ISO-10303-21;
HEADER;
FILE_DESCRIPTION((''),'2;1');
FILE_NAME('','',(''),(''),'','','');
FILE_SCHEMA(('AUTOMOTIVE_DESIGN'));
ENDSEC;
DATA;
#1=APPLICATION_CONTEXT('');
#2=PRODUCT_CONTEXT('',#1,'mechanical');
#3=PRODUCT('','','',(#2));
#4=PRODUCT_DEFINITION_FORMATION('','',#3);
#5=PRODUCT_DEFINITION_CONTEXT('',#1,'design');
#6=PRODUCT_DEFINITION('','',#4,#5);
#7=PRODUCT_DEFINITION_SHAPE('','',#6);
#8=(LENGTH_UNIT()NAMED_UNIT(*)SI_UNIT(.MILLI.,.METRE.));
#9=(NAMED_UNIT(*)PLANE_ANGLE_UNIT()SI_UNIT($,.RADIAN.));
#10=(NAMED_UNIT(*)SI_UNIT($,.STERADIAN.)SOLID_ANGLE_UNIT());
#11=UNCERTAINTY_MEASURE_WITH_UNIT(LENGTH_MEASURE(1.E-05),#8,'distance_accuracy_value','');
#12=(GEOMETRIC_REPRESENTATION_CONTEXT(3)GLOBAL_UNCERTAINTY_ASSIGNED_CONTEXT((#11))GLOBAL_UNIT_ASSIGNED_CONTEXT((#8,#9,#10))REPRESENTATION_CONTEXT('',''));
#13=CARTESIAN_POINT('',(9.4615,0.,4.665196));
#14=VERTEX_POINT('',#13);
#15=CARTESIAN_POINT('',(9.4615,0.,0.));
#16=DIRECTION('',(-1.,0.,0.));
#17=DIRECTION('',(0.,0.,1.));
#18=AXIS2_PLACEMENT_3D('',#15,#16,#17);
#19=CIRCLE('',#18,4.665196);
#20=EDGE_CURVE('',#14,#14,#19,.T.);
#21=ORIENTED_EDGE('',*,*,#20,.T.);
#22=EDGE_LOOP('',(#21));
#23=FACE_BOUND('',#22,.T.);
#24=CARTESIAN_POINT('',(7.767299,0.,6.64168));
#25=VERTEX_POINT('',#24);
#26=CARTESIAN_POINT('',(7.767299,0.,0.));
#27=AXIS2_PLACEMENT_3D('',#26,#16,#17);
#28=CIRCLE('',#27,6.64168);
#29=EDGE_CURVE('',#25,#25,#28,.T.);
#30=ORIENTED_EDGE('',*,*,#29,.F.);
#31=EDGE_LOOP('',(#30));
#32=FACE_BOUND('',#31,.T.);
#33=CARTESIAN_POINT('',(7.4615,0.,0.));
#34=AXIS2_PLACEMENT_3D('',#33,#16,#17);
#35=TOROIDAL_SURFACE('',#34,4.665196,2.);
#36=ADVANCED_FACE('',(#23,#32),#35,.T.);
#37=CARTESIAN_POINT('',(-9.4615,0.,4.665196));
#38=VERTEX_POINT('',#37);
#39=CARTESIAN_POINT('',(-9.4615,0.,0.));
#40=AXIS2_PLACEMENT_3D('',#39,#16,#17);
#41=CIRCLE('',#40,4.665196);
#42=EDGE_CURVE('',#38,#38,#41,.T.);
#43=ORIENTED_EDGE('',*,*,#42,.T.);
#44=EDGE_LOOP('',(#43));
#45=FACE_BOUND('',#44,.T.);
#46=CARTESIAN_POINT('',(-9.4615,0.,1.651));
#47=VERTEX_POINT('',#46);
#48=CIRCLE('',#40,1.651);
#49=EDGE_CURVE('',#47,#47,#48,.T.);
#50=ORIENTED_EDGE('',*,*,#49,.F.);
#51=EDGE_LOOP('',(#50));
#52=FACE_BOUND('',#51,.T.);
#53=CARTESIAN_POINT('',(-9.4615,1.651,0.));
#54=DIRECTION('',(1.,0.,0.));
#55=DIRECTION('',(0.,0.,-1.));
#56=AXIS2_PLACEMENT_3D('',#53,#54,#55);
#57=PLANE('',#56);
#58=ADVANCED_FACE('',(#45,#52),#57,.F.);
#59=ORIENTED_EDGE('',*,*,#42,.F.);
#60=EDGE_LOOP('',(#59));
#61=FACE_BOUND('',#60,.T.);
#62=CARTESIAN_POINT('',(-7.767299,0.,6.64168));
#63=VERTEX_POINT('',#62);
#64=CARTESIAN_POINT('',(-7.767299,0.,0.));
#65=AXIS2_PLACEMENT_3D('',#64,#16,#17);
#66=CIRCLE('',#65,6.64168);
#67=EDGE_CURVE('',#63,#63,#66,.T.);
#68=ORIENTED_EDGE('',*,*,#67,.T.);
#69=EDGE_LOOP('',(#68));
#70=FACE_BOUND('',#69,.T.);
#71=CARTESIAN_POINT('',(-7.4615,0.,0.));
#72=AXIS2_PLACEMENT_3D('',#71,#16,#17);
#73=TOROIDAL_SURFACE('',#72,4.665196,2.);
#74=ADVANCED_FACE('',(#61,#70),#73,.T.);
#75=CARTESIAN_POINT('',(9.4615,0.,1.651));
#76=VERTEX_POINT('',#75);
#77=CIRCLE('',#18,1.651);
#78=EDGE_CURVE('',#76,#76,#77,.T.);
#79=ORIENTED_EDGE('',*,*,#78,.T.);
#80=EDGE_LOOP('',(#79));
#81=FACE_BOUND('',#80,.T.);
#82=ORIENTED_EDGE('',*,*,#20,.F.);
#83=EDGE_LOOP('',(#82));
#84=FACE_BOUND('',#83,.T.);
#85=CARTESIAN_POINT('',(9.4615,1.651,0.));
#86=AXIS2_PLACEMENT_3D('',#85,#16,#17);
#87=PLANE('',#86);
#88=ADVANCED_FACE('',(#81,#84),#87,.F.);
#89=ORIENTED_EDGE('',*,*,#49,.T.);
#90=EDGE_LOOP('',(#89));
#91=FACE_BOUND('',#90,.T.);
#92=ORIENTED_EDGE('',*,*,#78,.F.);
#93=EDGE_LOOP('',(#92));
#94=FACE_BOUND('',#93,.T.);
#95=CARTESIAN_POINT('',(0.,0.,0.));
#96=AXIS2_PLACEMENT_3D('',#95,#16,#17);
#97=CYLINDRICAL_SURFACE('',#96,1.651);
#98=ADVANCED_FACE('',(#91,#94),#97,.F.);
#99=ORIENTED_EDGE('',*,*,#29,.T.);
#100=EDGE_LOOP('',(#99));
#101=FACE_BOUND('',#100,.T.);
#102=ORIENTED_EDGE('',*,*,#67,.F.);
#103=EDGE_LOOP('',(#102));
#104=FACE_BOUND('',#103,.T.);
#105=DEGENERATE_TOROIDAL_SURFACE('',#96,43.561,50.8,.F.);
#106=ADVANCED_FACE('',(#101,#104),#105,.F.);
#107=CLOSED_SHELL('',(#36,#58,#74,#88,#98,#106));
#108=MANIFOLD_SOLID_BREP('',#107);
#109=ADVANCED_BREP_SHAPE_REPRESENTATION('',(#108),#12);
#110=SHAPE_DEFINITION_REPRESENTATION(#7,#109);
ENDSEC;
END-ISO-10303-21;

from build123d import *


with BuildPart() as part:
    # Sketch1 → Revolve1 (revolve)
    with BuildSketch(Plane.XY):
        with BuildLine():
            Line((-9.4615, 1.651), (9.4615, 1.651))
            Line((9.4615, 1.651), (9.4615, 4.665196385))
            ThreePointArc((9.4615, 4.665196385), (8.979985818, 5.966811082), (7.76729918, 6.641679843))
            ThreePointArc((7.76729918, 6.641679843), (0, 7.239), (-7.76729918, 6.641679843))
            ThreePointArc((-7.76729918, 6.641679843), (-8.979985818, 5.966811082), (-9.4615, 4.665196385))
            Line((-9.4615, 4.665196385), (-9.4615, 1.651))
        make_face()
    revolve(axis=Axis((0, 0, 0), (1, 0, 0)))


solid = part.part
